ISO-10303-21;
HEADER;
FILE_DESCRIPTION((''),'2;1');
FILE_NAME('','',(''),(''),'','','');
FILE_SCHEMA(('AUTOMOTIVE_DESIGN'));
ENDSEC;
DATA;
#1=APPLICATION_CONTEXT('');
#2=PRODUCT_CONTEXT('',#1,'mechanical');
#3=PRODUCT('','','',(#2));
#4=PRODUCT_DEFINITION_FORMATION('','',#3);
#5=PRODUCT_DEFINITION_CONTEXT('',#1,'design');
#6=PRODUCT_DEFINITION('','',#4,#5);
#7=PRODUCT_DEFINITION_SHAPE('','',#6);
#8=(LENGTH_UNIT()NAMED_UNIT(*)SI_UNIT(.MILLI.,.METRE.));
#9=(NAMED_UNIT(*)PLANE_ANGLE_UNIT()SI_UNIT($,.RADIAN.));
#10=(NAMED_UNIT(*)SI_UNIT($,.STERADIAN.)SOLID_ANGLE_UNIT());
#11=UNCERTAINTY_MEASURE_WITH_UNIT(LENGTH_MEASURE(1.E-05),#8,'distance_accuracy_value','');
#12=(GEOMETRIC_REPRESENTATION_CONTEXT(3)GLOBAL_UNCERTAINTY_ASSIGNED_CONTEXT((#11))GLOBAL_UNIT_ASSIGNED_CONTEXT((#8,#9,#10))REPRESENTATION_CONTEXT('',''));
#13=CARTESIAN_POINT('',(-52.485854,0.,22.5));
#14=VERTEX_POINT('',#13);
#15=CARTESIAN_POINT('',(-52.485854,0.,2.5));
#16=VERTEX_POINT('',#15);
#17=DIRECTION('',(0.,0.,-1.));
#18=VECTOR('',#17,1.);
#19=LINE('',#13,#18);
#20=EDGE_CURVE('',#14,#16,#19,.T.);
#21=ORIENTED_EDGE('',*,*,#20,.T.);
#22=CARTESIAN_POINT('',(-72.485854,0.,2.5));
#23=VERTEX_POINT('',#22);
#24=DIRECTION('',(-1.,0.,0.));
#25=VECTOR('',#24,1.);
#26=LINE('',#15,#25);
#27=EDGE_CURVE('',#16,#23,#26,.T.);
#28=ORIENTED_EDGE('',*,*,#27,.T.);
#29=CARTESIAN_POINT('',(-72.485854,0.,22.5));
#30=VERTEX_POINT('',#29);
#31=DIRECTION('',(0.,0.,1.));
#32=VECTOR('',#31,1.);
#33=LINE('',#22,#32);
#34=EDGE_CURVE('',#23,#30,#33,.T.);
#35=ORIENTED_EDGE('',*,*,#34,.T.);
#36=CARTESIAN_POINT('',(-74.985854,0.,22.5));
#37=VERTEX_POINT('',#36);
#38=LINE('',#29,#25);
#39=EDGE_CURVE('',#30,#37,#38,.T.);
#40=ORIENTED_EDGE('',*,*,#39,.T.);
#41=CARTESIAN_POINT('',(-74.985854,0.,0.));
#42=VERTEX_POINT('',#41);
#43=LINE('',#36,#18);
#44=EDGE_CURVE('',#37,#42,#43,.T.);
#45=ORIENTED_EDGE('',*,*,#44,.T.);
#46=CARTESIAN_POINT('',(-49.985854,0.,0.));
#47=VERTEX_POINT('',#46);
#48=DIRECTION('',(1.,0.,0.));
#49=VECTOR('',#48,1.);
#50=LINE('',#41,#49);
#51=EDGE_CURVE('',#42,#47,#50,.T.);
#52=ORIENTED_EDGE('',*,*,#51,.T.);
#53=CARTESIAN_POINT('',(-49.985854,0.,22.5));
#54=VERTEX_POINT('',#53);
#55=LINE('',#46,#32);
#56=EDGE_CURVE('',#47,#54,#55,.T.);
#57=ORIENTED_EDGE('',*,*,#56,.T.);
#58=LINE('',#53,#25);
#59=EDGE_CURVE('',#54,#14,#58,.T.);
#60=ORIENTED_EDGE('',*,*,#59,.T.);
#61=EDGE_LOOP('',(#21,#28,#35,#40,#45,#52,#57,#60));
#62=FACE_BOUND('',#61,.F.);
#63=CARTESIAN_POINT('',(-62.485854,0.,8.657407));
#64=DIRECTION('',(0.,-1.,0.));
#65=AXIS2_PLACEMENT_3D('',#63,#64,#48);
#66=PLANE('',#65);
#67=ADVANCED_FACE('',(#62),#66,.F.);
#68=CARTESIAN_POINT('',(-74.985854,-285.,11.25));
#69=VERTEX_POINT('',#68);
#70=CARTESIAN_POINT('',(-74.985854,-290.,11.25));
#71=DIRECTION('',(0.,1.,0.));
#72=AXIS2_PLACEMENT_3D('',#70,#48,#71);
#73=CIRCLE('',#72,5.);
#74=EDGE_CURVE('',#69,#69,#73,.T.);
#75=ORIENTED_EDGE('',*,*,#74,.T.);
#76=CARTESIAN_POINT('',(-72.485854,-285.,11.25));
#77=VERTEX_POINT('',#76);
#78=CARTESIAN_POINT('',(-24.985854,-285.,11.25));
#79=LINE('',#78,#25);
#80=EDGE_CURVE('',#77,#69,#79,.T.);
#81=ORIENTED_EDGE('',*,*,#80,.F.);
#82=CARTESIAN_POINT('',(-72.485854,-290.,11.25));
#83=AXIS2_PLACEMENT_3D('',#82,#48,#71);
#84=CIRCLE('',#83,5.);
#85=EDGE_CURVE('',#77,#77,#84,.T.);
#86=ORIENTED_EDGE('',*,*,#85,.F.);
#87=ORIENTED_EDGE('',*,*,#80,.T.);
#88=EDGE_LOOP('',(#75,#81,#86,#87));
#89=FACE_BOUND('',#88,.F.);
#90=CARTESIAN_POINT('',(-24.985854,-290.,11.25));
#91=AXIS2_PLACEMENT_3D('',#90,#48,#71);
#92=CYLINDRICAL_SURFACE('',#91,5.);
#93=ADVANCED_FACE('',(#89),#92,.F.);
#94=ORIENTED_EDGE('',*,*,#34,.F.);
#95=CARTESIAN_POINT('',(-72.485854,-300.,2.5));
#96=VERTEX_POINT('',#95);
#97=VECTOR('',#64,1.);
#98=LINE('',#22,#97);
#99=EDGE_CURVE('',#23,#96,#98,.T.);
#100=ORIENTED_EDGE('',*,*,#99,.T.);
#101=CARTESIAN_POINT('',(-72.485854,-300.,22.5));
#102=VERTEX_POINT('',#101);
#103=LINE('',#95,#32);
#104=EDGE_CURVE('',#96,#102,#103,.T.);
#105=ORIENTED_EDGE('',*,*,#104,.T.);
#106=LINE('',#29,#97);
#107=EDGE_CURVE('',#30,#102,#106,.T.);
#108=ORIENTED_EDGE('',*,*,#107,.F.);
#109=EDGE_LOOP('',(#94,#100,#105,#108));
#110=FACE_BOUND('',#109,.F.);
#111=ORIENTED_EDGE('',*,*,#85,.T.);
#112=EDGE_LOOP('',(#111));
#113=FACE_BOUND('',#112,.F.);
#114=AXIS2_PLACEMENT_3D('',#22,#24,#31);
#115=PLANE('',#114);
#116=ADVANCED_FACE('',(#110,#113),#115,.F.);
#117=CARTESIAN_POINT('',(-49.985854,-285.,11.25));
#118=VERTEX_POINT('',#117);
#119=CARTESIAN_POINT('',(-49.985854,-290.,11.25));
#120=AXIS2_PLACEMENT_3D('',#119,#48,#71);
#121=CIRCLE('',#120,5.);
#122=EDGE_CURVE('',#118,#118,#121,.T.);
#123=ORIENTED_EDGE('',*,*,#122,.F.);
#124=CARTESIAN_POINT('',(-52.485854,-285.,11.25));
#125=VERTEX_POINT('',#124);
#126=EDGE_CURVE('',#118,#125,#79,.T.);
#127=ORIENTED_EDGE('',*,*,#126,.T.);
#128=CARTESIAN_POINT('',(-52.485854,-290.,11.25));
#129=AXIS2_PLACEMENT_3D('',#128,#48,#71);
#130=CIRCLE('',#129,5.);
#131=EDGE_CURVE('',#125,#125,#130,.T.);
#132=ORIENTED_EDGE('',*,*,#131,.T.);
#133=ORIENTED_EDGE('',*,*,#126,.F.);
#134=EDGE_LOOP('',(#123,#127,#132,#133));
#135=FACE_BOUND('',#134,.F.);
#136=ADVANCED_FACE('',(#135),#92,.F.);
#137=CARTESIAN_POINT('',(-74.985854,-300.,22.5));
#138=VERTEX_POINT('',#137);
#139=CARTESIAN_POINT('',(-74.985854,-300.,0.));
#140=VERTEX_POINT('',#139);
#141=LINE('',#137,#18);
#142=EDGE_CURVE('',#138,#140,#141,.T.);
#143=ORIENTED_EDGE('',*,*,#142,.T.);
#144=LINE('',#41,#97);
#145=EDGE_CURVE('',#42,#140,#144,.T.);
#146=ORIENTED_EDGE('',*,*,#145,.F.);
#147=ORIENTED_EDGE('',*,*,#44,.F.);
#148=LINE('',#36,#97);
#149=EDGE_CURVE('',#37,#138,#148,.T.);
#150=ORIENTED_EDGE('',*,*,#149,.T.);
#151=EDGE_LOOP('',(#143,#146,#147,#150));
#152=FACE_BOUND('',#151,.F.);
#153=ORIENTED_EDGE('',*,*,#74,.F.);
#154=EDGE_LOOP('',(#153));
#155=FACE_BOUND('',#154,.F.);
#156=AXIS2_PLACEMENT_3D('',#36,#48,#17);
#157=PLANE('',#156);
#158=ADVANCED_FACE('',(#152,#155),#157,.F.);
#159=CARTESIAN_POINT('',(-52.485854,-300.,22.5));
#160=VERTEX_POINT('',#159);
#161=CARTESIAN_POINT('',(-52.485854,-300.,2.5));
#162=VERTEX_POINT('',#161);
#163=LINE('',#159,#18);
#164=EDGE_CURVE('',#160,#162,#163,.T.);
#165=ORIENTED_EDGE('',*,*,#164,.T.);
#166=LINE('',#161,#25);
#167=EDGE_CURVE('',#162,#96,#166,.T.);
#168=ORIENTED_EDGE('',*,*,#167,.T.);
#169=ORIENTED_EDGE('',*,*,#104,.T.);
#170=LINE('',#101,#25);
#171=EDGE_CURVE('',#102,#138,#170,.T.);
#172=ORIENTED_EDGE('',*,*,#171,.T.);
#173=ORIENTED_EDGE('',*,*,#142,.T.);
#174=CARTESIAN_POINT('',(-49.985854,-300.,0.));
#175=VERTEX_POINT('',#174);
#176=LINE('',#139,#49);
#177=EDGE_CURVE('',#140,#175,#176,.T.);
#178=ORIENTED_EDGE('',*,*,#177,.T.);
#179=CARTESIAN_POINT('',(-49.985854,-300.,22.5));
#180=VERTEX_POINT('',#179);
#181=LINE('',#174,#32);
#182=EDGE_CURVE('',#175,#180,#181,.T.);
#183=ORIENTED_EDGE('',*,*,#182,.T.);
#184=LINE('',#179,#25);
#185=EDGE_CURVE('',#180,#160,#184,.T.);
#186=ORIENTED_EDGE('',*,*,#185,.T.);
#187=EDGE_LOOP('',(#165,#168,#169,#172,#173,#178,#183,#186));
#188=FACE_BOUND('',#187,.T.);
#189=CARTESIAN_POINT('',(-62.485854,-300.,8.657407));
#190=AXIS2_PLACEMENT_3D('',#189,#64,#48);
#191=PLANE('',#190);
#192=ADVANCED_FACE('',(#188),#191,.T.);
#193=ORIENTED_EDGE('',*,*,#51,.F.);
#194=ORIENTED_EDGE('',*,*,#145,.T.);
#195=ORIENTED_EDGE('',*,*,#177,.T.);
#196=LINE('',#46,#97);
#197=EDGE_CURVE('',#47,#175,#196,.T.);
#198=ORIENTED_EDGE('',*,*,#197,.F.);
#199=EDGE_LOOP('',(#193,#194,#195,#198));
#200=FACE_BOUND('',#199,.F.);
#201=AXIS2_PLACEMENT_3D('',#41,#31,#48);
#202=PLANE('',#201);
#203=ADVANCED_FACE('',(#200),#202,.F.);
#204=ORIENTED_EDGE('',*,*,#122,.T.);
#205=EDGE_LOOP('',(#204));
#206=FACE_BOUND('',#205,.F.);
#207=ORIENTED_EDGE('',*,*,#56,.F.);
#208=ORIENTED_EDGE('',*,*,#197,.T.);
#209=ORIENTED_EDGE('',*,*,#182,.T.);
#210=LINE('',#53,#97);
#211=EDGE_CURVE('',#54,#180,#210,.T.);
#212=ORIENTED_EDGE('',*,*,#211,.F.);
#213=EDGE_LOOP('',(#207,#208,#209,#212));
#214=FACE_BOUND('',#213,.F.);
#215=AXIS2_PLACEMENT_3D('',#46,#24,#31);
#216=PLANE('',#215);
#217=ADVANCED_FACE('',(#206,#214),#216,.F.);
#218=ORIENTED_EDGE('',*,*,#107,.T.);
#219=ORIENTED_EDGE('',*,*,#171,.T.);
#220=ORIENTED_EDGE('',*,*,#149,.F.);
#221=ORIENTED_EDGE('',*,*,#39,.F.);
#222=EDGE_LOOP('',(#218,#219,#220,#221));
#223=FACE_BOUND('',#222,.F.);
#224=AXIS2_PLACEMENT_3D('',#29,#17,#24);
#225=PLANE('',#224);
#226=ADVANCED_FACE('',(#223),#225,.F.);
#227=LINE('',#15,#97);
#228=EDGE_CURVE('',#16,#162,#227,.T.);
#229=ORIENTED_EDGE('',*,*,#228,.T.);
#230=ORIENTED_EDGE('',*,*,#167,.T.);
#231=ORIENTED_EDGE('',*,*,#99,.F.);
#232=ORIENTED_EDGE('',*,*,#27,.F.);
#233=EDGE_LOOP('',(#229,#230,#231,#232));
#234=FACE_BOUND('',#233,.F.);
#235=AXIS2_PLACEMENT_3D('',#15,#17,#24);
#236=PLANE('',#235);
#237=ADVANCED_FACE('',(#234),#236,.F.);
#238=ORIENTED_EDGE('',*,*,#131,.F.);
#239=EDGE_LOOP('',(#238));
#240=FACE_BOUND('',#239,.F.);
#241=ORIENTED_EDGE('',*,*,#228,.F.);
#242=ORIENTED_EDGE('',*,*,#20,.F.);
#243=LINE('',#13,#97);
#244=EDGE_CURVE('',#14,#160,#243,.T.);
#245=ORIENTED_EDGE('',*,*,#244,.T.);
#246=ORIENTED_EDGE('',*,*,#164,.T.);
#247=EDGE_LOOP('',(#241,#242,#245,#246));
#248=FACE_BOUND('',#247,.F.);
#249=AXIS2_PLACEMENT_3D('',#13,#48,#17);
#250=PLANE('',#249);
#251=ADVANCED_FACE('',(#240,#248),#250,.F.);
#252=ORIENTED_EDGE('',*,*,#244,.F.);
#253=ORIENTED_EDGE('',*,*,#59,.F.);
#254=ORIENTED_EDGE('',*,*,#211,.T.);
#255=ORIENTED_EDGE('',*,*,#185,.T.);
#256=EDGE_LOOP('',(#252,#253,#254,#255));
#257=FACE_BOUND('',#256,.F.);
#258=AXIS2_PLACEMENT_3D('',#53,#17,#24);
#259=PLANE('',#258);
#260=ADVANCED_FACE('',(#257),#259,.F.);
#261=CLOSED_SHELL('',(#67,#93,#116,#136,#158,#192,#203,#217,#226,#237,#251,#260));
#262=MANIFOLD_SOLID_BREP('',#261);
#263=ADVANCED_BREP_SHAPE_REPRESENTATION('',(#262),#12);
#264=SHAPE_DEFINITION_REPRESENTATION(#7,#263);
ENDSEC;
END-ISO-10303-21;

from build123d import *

# Parameters (mm, degrees)
F1_DEPTH = 300
F4_R     = 5
F5_DEPTH = 84


with BuildPart() as f1:
    # F0 (on Front) → F1 (new body)
    with BuildSketch(Plane.XZ):
        Polygon((-74.9858543277, 22.5), (-74.9858543277, 0), (-49.9858543277, 0), (-49.9858543277, 22.5), (-52.4858543277, 22.5), (-52.4858543277, 20), (-52.4858543277, 2.5), (-72.4858543277, 2.5), (-72.4858543277, 20), (-72.4858543277, 22.5), align=None)
    extrude(amount=F1_DEPTH)

    # F4 (on offset) → F5 (cut)
    with BuildSketch(Plane.YZ.offset(-24.9858543277)):
        with Locations((-290, 11.25)):
            Circle(F4_R)
    extrude(amount=-F5_DEPTH, mode=Mode.SUBTRACT)


solid = f1.part
